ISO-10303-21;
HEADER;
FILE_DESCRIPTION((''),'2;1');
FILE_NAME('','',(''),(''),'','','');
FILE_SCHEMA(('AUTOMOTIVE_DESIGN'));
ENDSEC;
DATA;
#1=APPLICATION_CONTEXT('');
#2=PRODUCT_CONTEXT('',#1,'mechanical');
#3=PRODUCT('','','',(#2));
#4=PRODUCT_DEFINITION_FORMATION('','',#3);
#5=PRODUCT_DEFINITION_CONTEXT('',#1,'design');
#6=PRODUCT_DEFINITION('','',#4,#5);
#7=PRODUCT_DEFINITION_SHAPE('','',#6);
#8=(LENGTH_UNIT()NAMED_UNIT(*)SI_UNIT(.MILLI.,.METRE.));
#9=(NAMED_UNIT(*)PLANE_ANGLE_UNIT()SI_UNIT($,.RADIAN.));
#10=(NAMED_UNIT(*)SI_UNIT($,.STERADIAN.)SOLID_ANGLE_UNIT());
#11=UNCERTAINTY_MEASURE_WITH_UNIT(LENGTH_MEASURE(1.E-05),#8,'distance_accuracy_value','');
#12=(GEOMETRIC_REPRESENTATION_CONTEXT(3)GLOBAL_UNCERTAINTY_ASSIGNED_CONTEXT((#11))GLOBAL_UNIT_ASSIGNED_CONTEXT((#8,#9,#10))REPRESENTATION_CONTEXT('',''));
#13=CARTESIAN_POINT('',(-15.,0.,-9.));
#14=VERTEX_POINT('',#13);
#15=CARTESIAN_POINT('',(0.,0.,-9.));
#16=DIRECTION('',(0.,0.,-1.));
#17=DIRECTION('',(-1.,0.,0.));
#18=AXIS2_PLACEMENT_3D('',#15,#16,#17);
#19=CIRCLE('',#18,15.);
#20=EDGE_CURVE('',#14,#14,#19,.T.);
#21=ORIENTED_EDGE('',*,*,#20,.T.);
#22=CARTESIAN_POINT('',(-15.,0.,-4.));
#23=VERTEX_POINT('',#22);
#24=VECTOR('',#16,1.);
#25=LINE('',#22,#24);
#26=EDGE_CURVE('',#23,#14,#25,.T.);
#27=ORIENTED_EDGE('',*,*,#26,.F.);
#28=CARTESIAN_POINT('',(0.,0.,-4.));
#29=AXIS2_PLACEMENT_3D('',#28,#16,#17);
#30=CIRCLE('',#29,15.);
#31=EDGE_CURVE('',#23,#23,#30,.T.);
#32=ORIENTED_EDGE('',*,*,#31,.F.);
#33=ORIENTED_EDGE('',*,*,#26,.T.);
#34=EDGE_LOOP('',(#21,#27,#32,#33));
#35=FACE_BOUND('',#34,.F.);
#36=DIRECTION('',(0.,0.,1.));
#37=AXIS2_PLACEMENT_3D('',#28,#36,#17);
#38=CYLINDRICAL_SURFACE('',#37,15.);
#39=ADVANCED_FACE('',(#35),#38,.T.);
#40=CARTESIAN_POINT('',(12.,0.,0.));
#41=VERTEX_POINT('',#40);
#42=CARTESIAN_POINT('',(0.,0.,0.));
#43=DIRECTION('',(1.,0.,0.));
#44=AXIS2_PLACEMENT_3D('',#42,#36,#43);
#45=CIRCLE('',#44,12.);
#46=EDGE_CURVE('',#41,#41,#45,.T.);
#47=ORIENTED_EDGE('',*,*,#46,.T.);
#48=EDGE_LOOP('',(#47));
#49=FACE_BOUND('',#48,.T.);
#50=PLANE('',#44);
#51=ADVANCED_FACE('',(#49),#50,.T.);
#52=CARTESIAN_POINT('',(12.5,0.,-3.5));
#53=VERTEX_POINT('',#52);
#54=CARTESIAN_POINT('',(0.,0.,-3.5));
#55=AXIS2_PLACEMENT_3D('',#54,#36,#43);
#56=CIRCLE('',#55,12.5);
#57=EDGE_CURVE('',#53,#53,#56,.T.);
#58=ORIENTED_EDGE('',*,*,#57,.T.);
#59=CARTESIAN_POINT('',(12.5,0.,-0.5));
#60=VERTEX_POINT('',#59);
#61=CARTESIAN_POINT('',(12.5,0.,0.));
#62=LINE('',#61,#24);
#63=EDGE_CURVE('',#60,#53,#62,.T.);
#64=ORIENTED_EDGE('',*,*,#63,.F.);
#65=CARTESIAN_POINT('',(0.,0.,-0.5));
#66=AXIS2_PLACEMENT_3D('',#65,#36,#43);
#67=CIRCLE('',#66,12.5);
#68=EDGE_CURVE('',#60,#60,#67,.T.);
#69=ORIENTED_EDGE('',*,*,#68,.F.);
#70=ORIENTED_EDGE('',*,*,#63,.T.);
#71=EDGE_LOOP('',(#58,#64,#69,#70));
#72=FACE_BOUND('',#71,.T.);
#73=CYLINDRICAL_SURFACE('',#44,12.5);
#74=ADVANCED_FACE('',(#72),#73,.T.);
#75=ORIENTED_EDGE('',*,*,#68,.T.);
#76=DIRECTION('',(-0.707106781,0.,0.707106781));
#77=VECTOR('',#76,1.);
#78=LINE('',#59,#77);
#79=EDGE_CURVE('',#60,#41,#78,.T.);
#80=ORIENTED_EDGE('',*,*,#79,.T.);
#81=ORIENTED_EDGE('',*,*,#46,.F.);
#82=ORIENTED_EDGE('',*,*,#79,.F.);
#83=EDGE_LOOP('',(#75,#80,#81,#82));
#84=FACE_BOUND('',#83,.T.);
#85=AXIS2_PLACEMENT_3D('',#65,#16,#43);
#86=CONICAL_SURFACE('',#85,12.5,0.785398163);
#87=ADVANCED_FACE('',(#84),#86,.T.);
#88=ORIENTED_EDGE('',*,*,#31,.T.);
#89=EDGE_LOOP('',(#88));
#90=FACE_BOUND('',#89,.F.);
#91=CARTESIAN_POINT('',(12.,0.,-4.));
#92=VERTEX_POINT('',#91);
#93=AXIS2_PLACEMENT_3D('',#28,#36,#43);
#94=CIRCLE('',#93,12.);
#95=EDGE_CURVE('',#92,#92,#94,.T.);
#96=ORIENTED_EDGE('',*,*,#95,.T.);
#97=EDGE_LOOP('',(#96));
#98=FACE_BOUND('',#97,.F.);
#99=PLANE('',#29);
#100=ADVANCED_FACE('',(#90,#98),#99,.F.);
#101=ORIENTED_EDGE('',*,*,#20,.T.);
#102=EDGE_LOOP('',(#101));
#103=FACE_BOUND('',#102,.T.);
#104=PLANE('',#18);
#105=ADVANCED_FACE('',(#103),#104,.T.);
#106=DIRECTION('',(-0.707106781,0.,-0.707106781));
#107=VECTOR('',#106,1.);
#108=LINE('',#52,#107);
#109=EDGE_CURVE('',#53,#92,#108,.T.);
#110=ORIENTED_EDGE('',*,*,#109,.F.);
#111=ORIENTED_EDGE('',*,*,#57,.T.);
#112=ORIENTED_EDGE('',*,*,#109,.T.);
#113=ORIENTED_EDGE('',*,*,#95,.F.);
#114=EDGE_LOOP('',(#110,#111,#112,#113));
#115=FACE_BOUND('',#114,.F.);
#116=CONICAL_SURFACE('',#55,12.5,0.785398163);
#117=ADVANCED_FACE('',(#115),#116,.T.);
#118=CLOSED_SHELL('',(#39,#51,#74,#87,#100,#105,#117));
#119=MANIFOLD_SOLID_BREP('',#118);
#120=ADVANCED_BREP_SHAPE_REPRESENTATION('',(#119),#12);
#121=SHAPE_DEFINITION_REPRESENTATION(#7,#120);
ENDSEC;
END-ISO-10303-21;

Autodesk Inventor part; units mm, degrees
ref_plane "YZ Plane" through (0, 0, 0) normal (1, 0, 0) x (0, 1, 0)
ref_plane "XZ Plane" through (0, 0, 0) normal (0, 1, 0) x (-1, 0, 0)
ref_plane "XY Plane" through (0, 0, 0) normal (0, 0, 1) x (1, 0, 0)
sketch "Sketch3" plane through (0, 0, 0) normal (0, 0, 1) x (1, 0, 0)
  circle A0 centre (0, 0) radius 12.5
  dimension "d9" = 25
extrude "Extrusion3" add sketch "Sketch3" against normal blind 4
chamfer "Chamfer2" distance 0.5 angle 45 2 edges at (-12.5, 0, 0) (-12.5, 0, -4)
sketch "Sketch4" plane through (0, 0, -4) normal (0, 0, -1) x (-1, 0, 0)
  circle A0 centre (0, 0) radius 15
  dimension "d15" = 30
extrude "Extrusion4" add sketch "Sketch4" along normal blind 5
properties part number "Mirror"
